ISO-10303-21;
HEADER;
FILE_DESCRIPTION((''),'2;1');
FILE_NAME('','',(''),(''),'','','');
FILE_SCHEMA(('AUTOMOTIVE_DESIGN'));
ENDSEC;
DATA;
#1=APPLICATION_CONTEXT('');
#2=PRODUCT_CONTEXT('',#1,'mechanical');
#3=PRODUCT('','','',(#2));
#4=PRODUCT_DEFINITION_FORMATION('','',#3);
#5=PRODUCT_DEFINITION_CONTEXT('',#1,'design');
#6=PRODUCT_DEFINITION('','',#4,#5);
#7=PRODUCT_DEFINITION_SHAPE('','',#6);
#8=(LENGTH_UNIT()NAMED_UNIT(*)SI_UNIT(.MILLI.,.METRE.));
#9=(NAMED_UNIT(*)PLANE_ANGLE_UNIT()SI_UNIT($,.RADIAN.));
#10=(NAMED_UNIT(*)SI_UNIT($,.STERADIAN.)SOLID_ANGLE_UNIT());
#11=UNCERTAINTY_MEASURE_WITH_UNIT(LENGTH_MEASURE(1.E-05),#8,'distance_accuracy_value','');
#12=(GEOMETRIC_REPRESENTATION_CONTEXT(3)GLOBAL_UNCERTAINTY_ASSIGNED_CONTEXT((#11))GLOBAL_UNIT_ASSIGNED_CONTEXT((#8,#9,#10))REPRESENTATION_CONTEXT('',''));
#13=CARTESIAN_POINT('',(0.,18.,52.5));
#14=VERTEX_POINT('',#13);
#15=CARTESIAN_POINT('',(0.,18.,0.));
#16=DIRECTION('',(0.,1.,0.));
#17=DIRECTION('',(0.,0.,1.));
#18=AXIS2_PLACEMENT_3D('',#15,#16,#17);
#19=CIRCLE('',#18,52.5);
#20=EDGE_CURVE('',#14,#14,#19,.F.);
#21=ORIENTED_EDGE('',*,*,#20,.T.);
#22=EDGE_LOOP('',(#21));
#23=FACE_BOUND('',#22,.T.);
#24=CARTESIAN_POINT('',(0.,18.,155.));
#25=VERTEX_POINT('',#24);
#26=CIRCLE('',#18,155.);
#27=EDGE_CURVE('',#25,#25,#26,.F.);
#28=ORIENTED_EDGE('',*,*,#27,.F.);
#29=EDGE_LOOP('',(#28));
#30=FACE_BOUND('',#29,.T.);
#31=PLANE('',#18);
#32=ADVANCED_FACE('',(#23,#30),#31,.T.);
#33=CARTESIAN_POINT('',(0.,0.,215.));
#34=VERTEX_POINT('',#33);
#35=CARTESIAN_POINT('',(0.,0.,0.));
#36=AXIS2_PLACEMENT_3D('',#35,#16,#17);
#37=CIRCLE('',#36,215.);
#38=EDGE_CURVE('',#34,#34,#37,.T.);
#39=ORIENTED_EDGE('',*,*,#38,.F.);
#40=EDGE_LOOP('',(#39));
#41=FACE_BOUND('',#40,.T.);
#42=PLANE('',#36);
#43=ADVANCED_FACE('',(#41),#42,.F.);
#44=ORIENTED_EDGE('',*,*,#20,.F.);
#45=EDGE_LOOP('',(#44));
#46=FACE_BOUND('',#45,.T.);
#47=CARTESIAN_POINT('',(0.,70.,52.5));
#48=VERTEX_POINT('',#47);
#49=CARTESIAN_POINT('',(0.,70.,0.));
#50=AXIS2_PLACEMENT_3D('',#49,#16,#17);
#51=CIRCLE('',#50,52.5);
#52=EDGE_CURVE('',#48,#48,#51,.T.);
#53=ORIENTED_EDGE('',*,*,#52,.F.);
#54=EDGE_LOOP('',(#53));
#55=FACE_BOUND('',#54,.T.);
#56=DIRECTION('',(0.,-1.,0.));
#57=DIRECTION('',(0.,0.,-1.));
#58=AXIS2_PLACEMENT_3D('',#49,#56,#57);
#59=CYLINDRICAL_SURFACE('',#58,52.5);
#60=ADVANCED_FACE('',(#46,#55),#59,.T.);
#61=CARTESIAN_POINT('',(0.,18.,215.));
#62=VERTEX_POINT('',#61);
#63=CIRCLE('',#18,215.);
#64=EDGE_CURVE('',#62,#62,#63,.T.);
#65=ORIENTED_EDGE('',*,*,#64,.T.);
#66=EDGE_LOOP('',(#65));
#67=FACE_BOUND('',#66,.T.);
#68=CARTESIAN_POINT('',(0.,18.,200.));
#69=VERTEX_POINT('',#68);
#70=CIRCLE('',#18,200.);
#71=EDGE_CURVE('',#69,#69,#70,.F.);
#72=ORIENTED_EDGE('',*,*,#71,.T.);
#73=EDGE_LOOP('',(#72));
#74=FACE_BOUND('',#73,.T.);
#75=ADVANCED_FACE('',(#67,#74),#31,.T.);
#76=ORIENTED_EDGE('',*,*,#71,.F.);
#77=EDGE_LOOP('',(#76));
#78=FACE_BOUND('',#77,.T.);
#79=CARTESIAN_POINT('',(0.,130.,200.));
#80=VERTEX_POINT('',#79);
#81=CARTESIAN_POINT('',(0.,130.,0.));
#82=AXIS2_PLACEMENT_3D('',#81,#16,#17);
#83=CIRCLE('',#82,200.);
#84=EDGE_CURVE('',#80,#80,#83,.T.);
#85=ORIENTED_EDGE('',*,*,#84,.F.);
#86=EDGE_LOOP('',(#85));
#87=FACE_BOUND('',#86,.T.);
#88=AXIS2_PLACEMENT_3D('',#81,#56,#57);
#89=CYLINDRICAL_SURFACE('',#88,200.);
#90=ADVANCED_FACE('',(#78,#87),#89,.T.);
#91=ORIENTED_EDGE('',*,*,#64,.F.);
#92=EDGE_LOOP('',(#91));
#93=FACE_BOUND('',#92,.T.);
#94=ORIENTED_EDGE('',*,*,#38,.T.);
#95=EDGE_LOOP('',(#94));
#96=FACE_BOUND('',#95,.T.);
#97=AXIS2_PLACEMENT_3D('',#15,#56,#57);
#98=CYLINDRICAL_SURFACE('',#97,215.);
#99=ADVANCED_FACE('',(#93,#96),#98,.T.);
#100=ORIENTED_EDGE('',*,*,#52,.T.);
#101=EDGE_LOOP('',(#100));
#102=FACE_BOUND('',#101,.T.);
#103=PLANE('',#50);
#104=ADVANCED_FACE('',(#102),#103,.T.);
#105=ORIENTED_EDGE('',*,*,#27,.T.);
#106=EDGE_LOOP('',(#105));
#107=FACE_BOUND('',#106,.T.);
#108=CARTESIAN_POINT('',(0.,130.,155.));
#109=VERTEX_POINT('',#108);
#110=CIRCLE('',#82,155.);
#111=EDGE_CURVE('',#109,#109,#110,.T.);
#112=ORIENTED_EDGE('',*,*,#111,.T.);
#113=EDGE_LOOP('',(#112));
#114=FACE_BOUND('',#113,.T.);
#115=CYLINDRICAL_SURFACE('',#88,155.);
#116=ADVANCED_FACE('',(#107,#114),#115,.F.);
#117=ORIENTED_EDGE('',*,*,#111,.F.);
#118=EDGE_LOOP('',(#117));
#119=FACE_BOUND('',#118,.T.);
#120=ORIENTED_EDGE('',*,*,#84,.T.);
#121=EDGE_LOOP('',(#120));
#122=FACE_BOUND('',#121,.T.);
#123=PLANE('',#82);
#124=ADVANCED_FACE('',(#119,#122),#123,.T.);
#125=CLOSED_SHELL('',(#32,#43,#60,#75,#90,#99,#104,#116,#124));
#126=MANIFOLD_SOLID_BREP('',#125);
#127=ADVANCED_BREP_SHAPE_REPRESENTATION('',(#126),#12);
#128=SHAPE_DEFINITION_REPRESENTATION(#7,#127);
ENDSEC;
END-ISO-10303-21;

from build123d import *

# Parameters (mm, degrees)
F_01_BOWL_FLANGE_PROFILE_R   = 215
F_01_BOWL_FLANGE_PROFILE_R_2 = 6
F_01_BOWL_BASE_FLANGE_DEPTH  = 18
F_02_BOWL_WALL_PROFILE_R     = 200
F_02_BOWL_WALL_PROFILE_R_2   = 155
F_02_BOWL_WALL_DEPTH         = 130
F_03_CENTER_CONE_BASE_R      = 52.5
F_03_CENTER_GUIDE_BOSS_DEPTH = 70


with BuildPart() as part:
    # 01_Bowl_Flange_Profile → 01_Bowl_Base_Flange (new body)
    with BuildSketch(Plane(origin=(0, 0, 0), x_dir=(1, 0, 0), z_dir=(0, 1, 0))):
        with Locations(Location((0, 0, 0), (0, 0, 270))):
            Circle(F_01_BOWL_FLANGE_PROFILE_R)
        with Locations(Location((170.917713515, 70.796434988, 0), (0, 0, 270))):
            Circle(F_01_BOWL_FLANGE_PROFILE_R_2, mode=Mode.SUBTRACT)
        with Locations(Location((70.796434988, 170.917713515, 0), (0, 0, 270))):
            Circle(F_01_BOWL_FLANGE_PROFILE_R_2, mode=Mode.SUBTRACT)
        with Locations(Location((-70.796434988, 170.917713515, 0), (0, 0, 270))):
            Circle(F_01_BOWL_FLANGE_PROFILE_R_2, mode=Mode.SUBTRACT)
        with Locations(Location((-170.917713515, 70.796434988, 0), (0, 0, 270))):
            Circle(F_01_BOWL_FLANGE_PROFILE_R_2, mode=Mode.SUBTRACT)
        with Locations(Location((-170.917713515, -70.796434988, 0), (0, 0, 270))):
            Circle(F_01_BOWL_FLANGE_PROFILE_R_2, mode=Mode.SUBTRACT)
        with Locations(Location((-70.796434988, -170.917713515, 0), (0, 0, 270))):
            Circle(F_01_BOWL_FLANGE_PROFILE_R_2, mode=Mode.SUBTRACT)
        with Locations(Location((70.796434988, -170.917713515, 0), (0, 0, 270))):
            Circle(F_01_BOWL_FLANGE_PROFILE_R_2, mode=Mode.SUBTRACT)
        with Locations(Location((170.917713515, -70.796434988, 0), (0, 0, 270))):
            Circle(F_01_BOWL_FLANGE_PROFILE_R_2, mode=Mode.SUBTRACT)
    extrude(amount=F_01_BOWL_BASE_FLANGE_DEPTH)

    # 02_Bowl_Wall_Profile → 02_Bowl_Wall (add)
    with BuildSketch(Plane(origin=(0, 0, 0), x_dir=(1, 0, 0), z_dir=(0, 1, 0))):
        with Locations(Location((0, 0, 0), (0, 0, 270))):
            Circle(F_02_BOWL_WALL_PROFILE_R)
        with Locations(Location((0, 0, 0), (0, 0, 270))):
            Circle(F_02_BOWL_WALL_PROFILE_R_2, mode=Mode.SUBTRACT)
    extrude(amount=F_02_BOWL_WALL_DEPTH)

    # 03_Center_Cone_Base → 03_Center_Guide_Boss (add)
    with BuildSketch(Plane(origin=(0, 0, 0), x_dir=(1, 0, 0), z_dir=(0, 1, 0))):
        with Locations(Location((0, 0, 0), (0, 0, 270))):
            Circle(F_03_CENTER_CONE_BASE_R)
    extrude(amount=F_03_CENTER_GUIDE_BOSS_DEPTH)


solid = part.part
